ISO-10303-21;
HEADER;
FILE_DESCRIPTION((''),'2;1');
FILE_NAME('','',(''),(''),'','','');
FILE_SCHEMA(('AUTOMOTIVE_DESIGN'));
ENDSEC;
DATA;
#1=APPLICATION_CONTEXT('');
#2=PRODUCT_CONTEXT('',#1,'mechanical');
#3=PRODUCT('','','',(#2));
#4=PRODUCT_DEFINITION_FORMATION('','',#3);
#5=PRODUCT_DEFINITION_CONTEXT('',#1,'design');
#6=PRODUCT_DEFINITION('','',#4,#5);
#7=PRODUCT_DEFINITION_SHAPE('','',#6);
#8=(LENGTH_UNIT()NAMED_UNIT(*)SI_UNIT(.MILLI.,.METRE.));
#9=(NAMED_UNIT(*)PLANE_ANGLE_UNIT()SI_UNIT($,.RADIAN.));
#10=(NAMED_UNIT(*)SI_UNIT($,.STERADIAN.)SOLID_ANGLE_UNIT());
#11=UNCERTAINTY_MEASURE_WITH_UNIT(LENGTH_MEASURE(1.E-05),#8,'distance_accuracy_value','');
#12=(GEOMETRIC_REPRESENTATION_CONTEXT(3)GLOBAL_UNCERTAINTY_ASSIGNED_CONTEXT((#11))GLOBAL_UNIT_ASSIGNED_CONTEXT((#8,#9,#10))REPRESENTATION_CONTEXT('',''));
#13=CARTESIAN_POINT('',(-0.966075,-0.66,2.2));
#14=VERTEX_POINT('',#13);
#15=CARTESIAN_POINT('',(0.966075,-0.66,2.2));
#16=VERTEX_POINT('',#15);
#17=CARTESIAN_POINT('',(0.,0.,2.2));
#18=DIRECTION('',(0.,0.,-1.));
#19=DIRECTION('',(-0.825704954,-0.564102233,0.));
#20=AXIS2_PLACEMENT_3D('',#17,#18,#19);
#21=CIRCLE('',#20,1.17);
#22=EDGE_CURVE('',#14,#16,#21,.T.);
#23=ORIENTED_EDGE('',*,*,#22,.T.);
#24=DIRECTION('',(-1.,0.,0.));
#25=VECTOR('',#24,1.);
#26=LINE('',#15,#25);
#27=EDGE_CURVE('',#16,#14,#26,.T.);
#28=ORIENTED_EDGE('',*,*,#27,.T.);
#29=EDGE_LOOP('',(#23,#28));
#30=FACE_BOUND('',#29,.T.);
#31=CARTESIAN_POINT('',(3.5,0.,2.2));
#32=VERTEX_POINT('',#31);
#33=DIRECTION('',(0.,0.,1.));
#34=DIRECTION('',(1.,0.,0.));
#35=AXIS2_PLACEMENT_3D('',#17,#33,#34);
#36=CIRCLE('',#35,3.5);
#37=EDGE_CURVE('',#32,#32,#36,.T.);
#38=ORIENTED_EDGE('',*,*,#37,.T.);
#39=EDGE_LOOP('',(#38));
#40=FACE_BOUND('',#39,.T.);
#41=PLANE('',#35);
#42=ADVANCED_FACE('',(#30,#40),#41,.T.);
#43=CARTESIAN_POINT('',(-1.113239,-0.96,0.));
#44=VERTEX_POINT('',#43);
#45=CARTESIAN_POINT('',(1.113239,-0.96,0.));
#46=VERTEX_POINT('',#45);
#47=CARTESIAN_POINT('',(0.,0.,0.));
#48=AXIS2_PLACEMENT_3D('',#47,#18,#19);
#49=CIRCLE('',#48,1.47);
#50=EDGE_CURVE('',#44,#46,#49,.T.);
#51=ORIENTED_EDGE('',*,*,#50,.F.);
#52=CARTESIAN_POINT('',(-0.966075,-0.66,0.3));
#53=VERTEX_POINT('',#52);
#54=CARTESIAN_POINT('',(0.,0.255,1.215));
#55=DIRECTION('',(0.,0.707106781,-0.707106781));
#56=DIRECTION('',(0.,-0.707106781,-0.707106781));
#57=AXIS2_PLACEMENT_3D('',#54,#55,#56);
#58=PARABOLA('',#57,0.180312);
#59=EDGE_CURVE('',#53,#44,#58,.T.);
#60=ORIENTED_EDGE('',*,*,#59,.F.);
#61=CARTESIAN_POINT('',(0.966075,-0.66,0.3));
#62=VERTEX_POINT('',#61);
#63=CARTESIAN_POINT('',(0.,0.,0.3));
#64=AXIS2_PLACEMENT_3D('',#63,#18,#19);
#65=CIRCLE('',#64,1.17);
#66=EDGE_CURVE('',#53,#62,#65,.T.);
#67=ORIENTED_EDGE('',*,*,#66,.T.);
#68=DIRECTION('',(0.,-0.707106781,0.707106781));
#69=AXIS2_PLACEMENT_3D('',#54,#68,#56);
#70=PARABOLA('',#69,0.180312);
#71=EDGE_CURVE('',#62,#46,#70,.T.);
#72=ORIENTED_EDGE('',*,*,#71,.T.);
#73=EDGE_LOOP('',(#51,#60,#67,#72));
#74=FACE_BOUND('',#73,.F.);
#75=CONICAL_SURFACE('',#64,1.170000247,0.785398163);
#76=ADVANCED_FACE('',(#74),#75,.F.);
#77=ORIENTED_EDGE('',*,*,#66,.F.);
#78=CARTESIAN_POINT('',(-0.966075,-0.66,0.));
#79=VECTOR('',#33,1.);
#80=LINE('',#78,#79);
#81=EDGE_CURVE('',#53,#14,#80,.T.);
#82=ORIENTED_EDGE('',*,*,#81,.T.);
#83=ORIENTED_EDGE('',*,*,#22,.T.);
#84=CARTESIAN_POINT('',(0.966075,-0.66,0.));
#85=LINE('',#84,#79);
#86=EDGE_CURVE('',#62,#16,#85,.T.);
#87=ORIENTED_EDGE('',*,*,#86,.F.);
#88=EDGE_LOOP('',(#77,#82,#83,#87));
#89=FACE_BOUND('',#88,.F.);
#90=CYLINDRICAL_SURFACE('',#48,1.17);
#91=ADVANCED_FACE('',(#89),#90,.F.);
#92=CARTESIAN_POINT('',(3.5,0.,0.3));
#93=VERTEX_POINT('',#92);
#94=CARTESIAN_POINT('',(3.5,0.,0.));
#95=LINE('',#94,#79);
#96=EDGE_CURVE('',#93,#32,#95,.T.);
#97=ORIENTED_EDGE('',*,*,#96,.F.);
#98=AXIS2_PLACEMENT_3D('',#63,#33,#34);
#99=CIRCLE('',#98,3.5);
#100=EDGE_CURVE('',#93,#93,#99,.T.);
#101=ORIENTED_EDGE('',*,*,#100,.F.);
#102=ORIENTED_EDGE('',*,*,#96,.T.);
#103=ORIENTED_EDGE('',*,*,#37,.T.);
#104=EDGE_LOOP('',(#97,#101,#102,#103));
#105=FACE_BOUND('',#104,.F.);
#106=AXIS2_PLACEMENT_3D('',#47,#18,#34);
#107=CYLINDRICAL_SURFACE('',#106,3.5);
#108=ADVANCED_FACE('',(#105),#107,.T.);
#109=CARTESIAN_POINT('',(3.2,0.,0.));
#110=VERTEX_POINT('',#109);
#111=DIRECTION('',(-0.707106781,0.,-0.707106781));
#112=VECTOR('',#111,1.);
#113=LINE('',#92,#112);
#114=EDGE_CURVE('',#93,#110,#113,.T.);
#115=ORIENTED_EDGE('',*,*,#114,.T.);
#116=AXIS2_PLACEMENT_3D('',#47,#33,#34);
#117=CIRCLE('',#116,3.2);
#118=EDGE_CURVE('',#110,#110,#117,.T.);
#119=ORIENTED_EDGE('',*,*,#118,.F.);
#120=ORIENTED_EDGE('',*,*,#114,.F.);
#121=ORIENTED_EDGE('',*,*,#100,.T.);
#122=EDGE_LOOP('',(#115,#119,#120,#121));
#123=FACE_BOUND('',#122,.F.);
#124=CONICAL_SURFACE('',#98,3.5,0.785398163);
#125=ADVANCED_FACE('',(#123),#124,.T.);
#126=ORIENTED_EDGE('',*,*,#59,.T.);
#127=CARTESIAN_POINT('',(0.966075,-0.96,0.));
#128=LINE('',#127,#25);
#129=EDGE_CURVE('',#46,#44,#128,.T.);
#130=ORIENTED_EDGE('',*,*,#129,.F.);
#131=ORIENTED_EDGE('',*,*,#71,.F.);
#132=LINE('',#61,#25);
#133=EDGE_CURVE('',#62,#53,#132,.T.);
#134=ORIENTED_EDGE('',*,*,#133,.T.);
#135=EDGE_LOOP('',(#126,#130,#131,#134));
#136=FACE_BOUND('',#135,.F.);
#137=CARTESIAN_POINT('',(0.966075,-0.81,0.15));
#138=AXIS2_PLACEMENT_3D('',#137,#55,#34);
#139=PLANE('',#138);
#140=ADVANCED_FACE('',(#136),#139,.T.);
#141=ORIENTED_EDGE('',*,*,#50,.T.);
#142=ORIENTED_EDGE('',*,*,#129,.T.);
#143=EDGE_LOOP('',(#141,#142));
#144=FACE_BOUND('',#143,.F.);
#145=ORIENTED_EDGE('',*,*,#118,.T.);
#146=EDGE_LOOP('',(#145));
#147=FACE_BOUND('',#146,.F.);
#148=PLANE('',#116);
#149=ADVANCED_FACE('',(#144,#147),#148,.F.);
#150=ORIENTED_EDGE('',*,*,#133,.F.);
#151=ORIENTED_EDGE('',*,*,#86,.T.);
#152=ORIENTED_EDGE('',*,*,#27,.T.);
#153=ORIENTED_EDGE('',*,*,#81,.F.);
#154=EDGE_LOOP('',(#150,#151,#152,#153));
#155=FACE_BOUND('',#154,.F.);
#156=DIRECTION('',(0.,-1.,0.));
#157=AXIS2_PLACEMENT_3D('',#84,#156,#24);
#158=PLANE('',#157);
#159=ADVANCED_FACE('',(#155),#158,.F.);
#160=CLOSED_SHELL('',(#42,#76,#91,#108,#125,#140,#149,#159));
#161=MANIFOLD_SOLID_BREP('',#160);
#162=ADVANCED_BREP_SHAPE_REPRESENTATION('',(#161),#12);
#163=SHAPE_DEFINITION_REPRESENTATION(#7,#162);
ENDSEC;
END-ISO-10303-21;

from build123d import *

# Parameters (mm, degrees)
F0_R     = 3.5
F1_DEPTH = 2.2
F2_SIZE  = 0.3


with BuildPart() as f1:
    # F0 (on Top) → F1 (new body)
    with BuildSketch(Plane.XY):
        Circle(F0_R)
        with BuildLine():
            ThreePointArc((-0.966075, -0.66), (0, 1.17), (0.966075, -0.66))
            Line((0.966075, -0.66), (-0.966075, -0.66))
        make_face(mode=Mode.SUBTRACT)
    extrude(amount=F1_DEPTH)

    # F2
    f2_edges = [f1.edges().sort_by_distance(p)[0] for p in [
        (-3.5, 0, 0),
        (0, 1.17, 0),
        (0, -0.66, 0),
    ]]
    chamfer(f2_edges, length=F2_SIZE)


solid = f1.part
